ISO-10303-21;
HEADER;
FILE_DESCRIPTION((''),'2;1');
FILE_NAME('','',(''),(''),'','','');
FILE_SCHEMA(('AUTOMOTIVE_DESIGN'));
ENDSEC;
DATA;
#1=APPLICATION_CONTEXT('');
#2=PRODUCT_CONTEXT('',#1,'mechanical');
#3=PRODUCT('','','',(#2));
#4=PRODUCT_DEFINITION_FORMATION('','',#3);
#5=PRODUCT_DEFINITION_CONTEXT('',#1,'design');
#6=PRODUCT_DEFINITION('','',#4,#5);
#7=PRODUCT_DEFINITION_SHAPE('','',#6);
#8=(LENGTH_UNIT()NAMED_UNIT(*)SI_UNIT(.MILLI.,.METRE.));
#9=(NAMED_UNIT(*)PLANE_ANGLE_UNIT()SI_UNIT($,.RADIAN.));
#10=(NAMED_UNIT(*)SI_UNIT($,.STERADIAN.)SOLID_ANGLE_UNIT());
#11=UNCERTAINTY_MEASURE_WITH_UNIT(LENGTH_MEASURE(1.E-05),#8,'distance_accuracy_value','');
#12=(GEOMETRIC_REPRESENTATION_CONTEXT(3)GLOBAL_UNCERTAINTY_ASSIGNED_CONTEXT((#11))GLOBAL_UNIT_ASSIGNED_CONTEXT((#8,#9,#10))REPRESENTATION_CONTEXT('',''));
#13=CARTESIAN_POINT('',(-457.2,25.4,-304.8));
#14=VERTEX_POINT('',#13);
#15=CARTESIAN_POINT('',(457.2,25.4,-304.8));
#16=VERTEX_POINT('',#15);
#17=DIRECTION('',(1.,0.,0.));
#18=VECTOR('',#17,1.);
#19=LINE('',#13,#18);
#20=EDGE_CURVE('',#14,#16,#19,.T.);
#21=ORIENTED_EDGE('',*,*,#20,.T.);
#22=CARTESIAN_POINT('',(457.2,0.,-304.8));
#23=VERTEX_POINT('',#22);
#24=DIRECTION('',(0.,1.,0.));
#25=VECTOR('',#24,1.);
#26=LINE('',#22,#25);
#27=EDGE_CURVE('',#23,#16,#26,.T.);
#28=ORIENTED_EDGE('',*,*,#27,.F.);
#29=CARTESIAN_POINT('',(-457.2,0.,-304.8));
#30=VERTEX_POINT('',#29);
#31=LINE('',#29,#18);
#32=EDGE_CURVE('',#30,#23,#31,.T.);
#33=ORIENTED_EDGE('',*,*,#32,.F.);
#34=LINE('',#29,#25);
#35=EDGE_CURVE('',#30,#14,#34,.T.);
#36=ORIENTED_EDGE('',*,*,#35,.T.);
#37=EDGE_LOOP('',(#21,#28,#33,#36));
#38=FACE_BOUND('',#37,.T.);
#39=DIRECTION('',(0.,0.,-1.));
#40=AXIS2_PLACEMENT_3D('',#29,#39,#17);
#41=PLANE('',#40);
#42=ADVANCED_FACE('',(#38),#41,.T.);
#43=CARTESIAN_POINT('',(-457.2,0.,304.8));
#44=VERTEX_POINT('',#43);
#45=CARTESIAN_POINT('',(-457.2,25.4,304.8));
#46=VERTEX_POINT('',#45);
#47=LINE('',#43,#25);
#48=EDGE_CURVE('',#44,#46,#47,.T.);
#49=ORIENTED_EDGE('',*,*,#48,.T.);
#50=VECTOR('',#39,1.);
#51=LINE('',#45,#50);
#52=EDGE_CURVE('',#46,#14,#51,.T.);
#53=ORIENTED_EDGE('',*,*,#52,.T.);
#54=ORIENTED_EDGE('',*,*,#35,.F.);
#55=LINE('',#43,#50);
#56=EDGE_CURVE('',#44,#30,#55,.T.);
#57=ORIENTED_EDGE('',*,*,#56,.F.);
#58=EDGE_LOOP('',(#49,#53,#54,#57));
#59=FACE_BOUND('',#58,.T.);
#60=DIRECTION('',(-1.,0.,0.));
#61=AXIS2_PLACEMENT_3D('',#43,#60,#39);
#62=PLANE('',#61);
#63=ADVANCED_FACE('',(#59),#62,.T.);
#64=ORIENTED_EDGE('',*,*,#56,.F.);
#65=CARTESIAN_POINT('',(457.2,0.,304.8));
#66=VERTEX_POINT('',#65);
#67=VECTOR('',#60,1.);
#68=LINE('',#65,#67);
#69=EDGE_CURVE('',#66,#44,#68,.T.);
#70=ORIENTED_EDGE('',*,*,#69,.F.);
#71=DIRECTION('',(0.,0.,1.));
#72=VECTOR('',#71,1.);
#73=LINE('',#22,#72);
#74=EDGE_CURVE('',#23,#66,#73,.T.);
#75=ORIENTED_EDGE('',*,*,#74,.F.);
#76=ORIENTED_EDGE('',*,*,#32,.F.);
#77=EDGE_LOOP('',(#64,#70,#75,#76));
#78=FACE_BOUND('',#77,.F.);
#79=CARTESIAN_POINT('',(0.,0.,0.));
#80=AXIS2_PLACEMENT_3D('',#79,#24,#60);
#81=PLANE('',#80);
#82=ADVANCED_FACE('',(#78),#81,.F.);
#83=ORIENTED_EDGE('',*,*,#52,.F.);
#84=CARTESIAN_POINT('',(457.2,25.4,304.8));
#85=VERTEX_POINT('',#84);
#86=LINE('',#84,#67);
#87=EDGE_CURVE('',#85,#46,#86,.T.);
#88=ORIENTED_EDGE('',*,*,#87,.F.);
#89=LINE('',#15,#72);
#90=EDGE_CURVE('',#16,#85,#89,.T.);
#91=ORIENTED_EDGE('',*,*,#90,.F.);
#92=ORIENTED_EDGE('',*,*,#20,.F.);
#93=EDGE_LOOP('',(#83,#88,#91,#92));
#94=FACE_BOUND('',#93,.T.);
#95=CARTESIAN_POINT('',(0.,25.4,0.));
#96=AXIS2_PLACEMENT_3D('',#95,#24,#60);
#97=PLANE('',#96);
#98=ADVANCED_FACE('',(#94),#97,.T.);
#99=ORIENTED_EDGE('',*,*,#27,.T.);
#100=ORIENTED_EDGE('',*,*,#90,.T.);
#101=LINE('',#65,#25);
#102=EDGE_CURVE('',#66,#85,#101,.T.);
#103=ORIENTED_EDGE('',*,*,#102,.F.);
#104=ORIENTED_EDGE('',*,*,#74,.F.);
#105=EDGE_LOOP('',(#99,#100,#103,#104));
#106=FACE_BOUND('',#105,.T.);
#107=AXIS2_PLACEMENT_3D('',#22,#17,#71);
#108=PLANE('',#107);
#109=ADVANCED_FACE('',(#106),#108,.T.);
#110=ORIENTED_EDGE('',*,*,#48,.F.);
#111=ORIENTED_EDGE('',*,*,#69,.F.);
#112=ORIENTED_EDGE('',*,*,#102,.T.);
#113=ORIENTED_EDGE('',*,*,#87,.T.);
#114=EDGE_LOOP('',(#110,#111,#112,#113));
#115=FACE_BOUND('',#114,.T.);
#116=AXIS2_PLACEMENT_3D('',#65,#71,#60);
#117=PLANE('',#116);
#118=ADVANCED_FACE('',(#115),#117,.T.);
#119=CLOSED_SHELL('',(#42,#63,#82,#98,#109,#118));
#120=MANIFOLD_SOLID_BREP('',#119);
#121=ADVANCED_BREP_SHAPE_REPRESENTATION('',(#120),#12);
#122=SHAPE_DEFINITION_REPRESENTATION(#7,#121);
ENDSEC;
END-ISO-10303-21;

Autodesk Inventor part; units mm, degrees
ref_plane "YZ Plane" through (0, 0, 0) normal (1, 0, 0) x (0, 1, 0)
ref_plane "XZ Plane" through (0, 0, 0) normal (0, 1, 0) x (-1, 0, 0)
ref_plane "XY Plane" through (0, 0, 0) normal (0, 0, 1) x (1, 0, 0)
sketch "Sketch1" plane through (0, 0, 0) normal (0, 1, 0) x (-1, 0, 0)
  line L0 (457.2, -304.8) -> (-457.2, -304.8)
  line L1 (-457.2, -304.8) -> (-457.2, 304.8)
  line L2 (-457.2, 304.8) -> (457.2, 304.8)
  line L3 (457.2, 304.8) -> (457.2, -304.8)
  line L4 (457.2, -304.8) -> (-457.2, 304.8) construction
  line L5 (-457.2, -304.8) -> (457.2, 304.8) construction
  point P0 (0, 0)
  dimension "d0" = 914.4
  dimension "d1" = 609.6
extrude "Extrusion1" add sketch "Sketch1" along normal blind 25.4
properties part number "2 - 8" material "Granite, Cut, Polished"
